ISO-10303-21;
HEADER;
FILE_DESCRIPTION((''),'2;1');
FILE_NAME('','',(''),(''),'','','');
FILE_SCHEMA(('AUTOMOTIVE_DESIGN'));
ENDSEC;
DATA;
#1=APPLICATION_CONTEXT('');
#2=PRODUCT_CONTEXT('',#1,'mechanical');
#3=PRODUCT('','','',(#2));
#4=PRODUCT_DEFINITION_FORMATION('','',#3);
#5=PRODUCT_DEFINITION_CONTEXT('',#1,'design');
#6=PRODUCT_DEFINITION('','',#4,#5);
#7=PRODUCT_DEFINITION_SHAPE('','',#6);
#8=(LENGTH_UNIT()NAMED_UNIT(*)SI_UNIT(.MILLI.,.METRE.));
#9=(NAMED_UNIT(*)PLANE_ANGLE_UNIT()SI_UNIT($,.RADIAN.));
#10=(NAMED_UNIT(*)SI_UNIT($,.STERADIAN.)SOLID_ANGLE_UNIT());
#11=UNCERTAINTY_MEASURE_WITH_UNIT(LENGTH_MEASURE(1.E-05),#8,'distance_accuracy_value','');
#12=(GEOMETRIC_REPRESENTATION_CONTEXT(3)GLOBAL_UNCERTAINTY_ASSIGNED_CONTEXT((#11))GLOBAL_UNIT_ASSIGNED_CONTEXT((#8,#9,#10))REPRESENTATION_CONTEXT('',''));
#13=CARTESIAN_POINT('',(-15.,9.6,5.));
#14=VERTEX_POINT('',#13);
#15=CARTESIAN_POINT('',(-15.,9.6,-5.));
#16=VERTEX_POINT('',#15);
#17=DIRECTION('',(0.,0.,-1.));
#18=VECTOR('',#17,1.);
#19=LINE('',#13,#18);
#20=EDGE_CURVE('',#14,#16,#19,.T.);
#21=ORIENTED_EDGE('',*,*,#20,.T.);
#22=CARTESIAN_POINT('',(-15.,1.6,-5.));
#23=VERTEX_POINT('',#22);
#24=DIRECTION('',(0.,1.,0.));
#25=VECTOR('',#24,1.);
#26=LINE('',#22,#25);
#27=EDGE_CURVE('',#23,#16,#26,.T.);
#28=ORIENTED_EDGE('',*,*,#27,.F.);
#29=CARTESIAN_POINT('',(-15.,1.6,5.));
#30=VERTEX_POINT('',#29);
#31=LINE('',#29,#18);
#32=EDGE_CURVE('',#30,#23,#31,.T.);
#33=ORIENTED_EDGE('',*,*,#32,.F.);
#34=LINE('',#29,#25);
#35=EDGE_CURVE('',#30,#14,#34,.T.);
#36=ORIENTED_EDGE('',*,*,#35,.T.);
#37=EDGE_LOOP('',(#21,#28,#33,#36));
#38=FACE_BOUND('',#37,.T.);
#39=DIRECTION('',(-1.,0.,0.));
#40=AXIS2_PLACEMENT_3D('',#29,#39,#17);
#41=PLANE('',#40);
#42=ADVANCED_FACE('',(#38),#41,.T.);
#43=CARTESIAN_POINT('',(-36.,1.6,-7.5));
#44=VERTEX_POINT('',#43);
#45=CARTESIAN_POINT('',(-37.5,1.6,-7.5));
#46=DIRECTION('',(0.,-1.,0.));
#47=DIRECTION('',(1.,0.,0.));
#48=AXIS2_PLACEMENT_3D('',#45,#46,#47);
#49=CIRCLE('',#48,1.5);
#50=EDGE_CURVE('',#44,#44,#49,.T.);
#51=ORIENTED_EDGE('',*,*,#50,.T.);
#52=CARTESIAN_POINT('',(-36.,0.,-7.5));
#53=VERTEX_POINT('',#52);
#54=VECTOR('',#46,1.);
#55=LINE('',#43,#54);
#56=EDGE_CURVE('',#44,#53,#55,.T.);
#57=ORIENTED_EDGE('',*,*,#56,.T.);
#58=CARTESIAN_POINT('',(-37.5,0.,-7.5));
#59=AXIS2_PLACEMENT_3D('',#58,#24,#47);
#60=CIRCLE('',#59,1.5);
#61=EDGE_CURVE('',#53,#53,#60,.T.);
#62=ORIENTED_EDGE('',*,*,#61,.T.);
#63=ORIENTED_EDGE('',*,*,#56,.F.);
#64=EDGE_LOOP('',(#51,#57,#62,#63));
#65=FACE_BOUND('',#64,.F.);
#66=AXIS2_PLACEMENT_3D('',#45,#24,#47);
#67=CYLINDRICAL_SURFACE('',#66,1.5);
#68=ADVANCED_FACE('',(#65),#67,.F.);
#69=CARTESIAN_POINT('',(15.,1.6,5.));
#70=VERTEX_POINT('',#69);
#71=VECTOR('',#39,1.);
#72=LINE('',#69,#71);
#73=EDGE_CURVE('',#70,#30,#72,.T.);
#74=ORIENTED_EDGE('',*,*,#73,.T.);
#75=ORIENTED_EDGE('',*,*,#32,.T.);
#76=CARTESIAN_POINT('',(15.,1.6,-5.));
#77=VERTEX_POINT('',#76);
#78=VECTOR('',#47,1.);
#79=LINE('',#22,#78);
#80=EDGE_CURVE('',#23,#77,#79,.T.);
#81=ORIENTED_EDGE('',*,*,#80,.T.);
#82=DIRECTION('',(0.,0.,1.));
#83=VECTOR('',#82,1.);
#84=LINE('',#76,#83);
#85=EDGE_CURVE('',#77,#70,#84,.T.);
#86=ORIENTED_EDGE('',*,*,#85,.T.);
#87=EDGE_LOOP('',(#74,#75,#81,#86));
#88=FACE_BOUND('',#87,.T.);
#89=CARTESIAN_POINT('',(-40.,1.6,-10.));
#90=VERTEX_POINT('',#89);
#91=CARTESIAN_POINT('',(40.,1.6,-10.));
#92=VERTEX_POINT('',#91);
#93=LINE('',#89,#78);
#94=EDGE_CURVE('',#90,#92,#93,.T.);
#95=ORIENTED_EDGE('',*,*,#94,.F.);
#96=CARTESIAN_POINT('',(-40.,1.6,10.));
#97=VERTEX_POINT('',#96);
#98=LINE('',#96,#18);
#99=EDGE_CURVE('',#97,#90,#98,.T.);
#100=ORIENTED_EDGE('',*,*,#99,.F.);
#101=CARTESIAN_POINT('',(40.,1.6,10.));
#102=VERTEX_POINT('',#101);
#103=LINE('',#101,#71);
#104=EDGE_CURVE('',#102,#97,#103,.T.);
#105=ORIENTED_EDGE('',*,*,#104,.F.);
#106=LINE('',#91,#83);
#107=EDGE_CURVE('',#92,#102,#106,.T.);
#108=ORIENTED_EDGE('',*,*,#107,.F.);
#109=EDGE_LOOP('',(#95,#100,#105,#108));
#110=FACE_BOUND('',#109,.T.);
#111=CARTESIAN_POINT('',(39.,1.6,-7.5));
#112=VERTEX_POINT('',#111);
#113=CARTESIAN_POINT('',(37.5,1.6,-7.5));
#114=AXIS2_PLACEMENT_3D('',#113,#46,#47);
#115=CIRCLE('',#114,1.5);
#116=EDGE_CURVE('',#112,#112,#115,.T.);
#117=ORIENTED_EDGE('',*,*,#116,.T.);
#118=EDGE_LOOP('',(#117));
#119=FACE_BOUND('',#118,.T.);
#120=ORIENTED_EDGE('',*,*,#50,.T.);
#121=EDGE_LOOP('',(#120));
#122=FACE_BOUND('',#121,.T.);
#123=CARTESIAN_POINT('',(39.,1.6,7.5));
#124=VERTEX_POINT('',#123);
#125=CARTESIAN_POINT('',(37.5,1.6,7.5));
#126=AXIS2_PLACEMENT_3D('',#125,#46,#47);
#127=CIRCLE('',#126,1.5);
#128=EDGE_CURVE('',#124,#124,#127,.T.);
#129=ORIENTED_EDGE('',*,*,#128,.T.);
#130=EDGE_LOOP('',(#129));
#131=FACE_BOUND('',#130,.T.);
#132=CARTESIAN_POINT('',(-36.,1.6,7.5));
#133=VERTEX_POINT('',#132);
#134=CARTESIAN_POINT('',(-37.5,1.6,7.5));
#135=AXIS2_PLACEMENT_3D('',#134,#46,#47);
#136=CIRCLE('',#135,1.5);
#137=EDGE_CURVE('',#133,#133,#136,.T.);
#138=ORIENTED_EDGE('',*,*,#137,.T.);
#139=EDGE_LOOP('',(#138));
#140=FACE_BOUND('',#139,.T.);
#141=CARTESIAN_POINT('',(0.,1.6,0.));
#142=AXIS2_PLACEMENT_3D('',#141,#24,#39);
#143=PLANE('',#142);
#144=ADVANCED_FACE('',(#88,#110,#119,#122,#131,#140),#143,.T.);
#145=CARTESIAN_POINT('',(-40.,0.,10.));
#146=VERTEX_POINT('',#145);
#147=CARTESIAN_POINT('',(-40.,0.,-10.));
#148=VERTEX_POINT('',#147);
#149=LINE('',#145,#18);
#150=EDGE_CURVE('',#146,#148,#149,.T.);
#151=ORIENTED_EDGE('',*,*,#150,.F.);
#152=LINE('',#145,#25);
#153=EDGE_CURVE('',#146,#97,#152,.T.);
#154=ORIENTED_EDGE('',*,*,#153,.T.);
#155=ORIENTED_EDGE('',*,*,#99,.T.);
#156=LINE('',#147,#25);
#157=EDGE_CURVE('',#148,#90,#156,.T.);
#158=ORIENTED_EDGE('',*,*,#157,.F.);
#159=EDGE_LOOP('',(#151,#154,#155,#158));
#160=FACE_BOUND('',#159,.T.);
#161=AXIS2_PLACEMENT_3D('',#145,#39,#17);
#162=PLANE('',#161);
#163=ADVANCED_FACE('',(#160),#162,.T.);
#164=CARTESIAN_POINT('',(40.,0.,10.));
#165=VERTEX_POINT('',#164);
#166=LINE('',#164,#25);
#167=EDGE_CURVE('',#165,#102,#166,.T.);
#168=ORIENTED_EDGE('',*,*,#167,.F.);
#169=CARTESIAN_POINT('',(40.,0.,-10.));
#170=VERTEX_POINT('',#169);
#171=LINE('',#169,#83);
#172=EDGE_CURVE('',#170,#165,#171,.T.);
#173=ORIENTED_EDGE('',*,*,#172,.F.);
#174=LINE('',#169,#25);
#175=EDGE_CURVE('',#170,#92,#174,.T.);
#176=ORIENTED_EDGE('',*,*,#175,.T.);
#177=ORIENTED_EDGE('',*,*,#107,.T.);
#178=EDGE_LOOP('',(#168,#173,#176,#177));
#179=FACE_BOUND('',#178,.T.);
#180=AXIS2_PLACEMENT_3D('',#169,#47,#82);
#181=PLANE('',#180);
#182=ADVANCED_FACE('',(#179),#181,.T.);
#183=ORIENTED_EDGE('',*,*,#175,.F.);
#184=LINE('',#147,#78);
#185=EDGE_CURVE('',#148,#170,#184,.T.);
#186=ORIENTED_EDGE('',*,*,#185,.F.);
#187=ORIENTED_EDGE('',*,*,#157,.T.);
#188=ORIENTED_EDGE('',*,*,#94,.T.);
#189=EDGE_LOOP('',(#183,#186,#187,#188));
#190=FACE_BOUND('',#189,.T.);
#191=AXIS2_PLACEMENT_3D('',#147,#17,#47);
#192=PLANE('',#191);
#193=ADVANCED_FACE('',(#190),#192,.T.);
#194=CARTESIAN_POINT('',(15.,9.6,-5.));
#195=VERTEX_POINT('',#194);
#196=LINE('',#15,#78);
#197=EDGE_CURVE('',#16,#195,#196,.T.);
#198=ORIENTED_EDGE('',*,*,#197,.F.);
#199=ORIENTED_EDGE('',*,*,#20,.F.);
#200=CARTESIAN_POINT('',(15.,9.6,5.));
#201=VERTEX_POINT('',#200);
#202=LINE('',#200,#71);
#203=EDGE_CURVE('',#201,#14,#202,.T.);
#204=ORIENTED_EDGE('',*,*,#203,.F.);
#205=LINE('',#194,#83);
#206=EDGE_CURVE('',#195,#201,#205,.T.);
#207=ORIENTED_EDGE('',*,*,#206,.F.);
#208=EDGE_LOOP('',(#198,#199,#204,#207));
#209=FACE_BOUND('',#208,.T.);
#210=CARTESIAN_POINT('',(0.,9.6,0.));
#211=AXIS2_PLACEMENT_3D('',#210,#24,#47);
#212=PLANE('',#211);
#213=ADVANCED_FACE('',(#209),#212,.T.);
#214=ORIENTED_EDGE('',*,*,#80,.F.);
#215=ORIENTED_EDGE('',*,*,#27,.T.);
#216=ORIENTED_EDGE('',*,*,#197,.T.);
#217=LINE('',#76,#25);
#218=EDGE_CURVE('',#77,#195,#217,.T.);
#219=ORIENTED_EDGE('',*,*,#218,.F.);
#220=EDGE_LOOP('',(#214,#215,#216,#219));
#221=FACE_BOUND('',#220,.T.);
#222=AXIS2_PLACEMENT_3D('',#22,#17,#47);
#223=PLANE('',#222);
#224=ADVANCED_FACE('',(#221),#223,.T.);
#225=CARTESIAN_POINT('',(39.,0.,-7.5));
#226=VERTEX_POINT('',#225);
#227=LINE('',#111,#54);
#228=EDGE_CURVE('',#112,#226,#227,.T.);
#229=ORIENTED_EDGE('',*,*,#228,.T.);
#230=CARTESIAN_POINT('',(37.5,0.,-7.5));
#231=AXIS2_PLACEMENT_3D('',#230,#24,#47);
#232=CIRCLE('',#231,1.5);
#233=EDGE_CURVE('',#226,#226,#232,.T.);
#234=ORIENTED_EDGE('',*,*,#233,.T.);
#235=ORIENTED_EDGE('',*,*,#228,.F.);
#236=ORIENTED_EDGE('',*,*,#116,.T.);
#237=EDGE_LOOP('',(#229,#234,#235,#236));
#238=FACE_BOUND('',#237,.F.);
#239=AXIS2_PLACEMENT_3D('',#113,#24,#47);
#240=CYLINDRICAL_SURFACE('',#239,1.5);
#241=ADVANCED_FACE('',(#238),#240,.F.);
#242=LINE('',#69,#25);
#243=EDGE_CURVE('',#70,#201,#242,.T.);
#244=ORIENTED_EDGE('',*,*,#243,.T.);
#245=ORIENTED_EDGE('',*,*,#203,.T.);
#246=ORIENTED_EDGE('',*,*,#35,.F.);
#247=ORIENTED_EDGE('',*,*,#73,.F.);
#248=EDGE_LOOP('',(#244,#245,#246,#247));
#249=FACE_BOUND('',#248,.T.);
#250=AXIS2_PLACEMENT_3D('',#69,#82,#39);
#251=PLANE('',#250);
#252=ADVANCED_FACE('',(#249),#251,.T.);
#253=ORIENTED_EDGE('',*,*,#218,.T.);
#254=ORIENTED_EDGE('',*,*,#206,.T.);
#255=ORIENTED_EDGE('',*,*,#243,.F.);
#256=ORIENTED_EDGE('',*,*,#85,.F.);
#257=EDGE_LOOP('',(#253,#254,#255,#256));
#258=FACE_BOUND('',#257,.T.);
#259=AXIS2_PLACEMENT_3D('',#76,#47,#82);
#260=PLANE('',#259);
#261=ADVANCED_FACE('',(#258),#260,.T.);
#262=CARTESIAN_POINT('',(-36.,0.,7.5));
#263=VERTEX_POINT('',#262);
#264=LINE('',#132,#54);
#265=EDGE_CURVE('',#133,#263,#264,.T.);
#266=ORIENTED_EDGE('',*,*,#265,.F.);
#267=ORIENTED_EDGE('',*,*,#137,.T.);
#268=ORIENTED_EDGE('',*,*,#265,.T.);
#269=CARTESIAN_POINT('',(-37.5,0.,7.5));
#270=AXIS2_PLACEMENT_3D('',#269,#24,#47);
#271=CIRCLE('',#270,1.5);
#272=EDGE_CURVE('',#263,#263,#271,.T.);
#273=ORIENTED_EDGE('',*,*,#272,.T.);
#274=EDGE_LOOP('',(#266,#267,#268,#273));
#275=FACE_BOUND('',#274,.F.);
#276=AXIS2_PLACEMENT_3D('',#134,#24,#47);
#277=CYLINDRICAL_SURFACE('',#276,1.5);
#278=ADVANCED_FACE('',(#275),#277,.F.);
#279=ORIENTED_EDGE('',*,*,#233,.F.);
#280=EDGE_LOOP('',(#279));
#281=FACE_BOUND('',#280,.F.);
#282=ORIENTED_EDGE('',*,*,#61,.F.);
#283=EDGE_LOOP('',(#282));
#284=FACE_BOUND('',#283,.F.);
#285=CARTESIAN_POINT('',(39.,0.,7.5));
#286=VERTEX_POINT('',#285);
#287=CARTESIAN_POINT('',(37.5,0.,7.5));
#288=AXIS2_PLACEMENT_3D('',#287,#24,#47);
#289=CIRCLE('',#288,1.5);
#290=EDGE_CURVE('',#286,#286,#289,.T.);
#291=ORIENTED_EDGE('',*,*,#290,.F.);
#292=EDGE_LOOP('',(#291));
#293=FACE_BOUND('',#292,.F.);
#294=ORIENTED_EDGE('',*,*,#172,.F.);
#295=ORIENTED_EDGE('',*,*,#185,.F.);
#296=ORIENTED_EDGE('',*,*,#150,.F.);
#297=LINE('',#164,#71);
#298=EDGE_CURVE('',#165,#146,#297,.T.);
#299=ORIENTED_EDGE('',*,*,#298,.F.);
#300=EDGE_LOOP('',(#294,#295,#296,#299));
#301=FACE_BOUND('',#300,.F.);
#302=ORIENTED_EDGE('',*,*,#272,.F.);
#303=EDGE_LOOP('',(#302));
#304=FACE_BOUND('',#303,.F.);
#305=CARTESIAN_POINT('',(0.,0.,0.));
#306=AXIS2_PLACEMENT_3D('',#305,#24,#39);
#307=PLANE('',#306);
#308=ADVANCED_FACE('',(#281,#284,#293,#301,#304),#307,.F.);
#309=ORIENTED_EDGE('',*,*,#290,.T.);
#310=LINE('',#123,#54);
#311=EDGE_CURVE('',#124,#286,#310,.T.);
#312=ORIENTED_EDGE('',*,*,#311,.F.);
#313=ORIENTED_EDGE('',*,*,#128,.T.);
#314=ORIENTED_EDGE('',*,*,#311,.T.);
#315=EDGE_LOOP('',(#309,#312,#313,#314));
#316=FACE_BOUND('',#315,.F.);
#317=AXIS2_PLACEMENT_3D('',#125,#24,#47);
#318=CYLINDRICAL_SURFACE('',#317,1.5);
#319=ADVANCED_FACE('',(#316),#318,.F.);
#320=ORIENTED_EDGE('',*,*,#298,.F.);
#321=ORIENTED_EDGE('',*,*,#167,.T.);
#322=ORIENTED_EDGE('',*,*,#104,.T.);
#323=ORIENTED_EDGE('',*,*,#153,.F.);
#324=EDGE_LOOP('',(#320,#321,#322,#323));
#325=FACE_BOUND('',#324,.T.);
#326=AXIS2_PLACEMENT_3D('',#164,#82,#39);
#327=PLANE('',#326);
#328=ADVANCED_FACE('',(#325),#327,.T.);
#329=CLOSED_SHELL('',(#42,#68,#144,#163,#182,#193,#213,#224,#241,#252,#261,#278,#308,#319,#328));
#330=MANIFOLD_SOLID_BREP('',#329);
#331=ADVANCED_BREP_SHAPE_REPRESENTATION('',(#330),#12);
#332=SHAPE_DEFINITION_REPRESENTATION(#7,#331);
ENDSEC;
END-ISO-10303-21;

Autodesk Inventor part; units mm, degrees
ref_plane "YZ Plane" through (0, 0, 0) normal (1, 0, 0) x (0, 1, 0)
ref_plane "XZ Plane" through (0, 0, 0) normal (0, 1, 0) x (-1, 0, 0)
ref_plane "XY Plane" through (0, 0, 0) normal (0, 0, 1) x (1, 0, 0)
sketch "Эскиз1" plane through (0, 0, 0) normal (0, 1, 0) x (-1, 0, 0)
  line L0 (-40, 10) -> (40, 10)
  line L1 (40, 10) -> (40, -10)
  line L2 (40, -10) -> (-40, -10)
  line L3 (-40, -10) -> (-40, 10)
  line L4 (-40, 10) -> (40, -10) construction
  line L5 (40, 10) -> (-40, -10) construction
  point P0 (0, 0)
  dimension "d0" = 80
  dimension "d1" = 20
extrude "Выдавливание1" add sketch "Эскиз1" along normal blind 1.6
sketch "Эскиз2" plane through (0, 1.6, 0) normal (0, 1, 0) x (1, 0, 0)
  line L0 (-37.5, -7.5) -> (-37.5, 7.5)
  line L1 (37.5, 7.5) -> (37.5, -7.5)
  circle A0 centre (-37.5, -7.5) radius 1.5
  circle A1 centre (-37.5, 7.5) radius 1.5
  circle A2 centre (37.5, 7.5) radius 1.5
  circle A3 centre (37.5, -7.5) radius 1.5
  point P0 (0, 0)
  dimension "d4" = 75
  dimension "d5" = 15
  dimension "d6" = 3
  dimension "d7" = 3
  dimension "d8" = 3
  dimension "d9" = 3
extrude "Выдавливание2" cut sketch "Эскиз2" against normal blind 1.6
sketch "Эскиз3" plane through (0, 1.6, 0) normal (0, 1, 0) x (1, 0, 0)
  line L0 (15, -5) -> (-15, -5)
  line L1 (-15, -5) -> (-15, 5)
  line L2 (-15, 5) -> (15, 5)
  line L3 (15, 5) -> (15, -5)
  line L4 (15, -5) -> (-15, 5) construction
  line L5 (-15, -5) -> (15, 5) construction
  point P0 (0, 0)
  dimension "d12" = 30
  dimension "d13" = 10
extrude "Выдавливание3" add sketch "Эскиз3" along normal blind 8
properties part number "КВ33.044.1003 - Плата контроля сервомоторами" material "Серебро"
